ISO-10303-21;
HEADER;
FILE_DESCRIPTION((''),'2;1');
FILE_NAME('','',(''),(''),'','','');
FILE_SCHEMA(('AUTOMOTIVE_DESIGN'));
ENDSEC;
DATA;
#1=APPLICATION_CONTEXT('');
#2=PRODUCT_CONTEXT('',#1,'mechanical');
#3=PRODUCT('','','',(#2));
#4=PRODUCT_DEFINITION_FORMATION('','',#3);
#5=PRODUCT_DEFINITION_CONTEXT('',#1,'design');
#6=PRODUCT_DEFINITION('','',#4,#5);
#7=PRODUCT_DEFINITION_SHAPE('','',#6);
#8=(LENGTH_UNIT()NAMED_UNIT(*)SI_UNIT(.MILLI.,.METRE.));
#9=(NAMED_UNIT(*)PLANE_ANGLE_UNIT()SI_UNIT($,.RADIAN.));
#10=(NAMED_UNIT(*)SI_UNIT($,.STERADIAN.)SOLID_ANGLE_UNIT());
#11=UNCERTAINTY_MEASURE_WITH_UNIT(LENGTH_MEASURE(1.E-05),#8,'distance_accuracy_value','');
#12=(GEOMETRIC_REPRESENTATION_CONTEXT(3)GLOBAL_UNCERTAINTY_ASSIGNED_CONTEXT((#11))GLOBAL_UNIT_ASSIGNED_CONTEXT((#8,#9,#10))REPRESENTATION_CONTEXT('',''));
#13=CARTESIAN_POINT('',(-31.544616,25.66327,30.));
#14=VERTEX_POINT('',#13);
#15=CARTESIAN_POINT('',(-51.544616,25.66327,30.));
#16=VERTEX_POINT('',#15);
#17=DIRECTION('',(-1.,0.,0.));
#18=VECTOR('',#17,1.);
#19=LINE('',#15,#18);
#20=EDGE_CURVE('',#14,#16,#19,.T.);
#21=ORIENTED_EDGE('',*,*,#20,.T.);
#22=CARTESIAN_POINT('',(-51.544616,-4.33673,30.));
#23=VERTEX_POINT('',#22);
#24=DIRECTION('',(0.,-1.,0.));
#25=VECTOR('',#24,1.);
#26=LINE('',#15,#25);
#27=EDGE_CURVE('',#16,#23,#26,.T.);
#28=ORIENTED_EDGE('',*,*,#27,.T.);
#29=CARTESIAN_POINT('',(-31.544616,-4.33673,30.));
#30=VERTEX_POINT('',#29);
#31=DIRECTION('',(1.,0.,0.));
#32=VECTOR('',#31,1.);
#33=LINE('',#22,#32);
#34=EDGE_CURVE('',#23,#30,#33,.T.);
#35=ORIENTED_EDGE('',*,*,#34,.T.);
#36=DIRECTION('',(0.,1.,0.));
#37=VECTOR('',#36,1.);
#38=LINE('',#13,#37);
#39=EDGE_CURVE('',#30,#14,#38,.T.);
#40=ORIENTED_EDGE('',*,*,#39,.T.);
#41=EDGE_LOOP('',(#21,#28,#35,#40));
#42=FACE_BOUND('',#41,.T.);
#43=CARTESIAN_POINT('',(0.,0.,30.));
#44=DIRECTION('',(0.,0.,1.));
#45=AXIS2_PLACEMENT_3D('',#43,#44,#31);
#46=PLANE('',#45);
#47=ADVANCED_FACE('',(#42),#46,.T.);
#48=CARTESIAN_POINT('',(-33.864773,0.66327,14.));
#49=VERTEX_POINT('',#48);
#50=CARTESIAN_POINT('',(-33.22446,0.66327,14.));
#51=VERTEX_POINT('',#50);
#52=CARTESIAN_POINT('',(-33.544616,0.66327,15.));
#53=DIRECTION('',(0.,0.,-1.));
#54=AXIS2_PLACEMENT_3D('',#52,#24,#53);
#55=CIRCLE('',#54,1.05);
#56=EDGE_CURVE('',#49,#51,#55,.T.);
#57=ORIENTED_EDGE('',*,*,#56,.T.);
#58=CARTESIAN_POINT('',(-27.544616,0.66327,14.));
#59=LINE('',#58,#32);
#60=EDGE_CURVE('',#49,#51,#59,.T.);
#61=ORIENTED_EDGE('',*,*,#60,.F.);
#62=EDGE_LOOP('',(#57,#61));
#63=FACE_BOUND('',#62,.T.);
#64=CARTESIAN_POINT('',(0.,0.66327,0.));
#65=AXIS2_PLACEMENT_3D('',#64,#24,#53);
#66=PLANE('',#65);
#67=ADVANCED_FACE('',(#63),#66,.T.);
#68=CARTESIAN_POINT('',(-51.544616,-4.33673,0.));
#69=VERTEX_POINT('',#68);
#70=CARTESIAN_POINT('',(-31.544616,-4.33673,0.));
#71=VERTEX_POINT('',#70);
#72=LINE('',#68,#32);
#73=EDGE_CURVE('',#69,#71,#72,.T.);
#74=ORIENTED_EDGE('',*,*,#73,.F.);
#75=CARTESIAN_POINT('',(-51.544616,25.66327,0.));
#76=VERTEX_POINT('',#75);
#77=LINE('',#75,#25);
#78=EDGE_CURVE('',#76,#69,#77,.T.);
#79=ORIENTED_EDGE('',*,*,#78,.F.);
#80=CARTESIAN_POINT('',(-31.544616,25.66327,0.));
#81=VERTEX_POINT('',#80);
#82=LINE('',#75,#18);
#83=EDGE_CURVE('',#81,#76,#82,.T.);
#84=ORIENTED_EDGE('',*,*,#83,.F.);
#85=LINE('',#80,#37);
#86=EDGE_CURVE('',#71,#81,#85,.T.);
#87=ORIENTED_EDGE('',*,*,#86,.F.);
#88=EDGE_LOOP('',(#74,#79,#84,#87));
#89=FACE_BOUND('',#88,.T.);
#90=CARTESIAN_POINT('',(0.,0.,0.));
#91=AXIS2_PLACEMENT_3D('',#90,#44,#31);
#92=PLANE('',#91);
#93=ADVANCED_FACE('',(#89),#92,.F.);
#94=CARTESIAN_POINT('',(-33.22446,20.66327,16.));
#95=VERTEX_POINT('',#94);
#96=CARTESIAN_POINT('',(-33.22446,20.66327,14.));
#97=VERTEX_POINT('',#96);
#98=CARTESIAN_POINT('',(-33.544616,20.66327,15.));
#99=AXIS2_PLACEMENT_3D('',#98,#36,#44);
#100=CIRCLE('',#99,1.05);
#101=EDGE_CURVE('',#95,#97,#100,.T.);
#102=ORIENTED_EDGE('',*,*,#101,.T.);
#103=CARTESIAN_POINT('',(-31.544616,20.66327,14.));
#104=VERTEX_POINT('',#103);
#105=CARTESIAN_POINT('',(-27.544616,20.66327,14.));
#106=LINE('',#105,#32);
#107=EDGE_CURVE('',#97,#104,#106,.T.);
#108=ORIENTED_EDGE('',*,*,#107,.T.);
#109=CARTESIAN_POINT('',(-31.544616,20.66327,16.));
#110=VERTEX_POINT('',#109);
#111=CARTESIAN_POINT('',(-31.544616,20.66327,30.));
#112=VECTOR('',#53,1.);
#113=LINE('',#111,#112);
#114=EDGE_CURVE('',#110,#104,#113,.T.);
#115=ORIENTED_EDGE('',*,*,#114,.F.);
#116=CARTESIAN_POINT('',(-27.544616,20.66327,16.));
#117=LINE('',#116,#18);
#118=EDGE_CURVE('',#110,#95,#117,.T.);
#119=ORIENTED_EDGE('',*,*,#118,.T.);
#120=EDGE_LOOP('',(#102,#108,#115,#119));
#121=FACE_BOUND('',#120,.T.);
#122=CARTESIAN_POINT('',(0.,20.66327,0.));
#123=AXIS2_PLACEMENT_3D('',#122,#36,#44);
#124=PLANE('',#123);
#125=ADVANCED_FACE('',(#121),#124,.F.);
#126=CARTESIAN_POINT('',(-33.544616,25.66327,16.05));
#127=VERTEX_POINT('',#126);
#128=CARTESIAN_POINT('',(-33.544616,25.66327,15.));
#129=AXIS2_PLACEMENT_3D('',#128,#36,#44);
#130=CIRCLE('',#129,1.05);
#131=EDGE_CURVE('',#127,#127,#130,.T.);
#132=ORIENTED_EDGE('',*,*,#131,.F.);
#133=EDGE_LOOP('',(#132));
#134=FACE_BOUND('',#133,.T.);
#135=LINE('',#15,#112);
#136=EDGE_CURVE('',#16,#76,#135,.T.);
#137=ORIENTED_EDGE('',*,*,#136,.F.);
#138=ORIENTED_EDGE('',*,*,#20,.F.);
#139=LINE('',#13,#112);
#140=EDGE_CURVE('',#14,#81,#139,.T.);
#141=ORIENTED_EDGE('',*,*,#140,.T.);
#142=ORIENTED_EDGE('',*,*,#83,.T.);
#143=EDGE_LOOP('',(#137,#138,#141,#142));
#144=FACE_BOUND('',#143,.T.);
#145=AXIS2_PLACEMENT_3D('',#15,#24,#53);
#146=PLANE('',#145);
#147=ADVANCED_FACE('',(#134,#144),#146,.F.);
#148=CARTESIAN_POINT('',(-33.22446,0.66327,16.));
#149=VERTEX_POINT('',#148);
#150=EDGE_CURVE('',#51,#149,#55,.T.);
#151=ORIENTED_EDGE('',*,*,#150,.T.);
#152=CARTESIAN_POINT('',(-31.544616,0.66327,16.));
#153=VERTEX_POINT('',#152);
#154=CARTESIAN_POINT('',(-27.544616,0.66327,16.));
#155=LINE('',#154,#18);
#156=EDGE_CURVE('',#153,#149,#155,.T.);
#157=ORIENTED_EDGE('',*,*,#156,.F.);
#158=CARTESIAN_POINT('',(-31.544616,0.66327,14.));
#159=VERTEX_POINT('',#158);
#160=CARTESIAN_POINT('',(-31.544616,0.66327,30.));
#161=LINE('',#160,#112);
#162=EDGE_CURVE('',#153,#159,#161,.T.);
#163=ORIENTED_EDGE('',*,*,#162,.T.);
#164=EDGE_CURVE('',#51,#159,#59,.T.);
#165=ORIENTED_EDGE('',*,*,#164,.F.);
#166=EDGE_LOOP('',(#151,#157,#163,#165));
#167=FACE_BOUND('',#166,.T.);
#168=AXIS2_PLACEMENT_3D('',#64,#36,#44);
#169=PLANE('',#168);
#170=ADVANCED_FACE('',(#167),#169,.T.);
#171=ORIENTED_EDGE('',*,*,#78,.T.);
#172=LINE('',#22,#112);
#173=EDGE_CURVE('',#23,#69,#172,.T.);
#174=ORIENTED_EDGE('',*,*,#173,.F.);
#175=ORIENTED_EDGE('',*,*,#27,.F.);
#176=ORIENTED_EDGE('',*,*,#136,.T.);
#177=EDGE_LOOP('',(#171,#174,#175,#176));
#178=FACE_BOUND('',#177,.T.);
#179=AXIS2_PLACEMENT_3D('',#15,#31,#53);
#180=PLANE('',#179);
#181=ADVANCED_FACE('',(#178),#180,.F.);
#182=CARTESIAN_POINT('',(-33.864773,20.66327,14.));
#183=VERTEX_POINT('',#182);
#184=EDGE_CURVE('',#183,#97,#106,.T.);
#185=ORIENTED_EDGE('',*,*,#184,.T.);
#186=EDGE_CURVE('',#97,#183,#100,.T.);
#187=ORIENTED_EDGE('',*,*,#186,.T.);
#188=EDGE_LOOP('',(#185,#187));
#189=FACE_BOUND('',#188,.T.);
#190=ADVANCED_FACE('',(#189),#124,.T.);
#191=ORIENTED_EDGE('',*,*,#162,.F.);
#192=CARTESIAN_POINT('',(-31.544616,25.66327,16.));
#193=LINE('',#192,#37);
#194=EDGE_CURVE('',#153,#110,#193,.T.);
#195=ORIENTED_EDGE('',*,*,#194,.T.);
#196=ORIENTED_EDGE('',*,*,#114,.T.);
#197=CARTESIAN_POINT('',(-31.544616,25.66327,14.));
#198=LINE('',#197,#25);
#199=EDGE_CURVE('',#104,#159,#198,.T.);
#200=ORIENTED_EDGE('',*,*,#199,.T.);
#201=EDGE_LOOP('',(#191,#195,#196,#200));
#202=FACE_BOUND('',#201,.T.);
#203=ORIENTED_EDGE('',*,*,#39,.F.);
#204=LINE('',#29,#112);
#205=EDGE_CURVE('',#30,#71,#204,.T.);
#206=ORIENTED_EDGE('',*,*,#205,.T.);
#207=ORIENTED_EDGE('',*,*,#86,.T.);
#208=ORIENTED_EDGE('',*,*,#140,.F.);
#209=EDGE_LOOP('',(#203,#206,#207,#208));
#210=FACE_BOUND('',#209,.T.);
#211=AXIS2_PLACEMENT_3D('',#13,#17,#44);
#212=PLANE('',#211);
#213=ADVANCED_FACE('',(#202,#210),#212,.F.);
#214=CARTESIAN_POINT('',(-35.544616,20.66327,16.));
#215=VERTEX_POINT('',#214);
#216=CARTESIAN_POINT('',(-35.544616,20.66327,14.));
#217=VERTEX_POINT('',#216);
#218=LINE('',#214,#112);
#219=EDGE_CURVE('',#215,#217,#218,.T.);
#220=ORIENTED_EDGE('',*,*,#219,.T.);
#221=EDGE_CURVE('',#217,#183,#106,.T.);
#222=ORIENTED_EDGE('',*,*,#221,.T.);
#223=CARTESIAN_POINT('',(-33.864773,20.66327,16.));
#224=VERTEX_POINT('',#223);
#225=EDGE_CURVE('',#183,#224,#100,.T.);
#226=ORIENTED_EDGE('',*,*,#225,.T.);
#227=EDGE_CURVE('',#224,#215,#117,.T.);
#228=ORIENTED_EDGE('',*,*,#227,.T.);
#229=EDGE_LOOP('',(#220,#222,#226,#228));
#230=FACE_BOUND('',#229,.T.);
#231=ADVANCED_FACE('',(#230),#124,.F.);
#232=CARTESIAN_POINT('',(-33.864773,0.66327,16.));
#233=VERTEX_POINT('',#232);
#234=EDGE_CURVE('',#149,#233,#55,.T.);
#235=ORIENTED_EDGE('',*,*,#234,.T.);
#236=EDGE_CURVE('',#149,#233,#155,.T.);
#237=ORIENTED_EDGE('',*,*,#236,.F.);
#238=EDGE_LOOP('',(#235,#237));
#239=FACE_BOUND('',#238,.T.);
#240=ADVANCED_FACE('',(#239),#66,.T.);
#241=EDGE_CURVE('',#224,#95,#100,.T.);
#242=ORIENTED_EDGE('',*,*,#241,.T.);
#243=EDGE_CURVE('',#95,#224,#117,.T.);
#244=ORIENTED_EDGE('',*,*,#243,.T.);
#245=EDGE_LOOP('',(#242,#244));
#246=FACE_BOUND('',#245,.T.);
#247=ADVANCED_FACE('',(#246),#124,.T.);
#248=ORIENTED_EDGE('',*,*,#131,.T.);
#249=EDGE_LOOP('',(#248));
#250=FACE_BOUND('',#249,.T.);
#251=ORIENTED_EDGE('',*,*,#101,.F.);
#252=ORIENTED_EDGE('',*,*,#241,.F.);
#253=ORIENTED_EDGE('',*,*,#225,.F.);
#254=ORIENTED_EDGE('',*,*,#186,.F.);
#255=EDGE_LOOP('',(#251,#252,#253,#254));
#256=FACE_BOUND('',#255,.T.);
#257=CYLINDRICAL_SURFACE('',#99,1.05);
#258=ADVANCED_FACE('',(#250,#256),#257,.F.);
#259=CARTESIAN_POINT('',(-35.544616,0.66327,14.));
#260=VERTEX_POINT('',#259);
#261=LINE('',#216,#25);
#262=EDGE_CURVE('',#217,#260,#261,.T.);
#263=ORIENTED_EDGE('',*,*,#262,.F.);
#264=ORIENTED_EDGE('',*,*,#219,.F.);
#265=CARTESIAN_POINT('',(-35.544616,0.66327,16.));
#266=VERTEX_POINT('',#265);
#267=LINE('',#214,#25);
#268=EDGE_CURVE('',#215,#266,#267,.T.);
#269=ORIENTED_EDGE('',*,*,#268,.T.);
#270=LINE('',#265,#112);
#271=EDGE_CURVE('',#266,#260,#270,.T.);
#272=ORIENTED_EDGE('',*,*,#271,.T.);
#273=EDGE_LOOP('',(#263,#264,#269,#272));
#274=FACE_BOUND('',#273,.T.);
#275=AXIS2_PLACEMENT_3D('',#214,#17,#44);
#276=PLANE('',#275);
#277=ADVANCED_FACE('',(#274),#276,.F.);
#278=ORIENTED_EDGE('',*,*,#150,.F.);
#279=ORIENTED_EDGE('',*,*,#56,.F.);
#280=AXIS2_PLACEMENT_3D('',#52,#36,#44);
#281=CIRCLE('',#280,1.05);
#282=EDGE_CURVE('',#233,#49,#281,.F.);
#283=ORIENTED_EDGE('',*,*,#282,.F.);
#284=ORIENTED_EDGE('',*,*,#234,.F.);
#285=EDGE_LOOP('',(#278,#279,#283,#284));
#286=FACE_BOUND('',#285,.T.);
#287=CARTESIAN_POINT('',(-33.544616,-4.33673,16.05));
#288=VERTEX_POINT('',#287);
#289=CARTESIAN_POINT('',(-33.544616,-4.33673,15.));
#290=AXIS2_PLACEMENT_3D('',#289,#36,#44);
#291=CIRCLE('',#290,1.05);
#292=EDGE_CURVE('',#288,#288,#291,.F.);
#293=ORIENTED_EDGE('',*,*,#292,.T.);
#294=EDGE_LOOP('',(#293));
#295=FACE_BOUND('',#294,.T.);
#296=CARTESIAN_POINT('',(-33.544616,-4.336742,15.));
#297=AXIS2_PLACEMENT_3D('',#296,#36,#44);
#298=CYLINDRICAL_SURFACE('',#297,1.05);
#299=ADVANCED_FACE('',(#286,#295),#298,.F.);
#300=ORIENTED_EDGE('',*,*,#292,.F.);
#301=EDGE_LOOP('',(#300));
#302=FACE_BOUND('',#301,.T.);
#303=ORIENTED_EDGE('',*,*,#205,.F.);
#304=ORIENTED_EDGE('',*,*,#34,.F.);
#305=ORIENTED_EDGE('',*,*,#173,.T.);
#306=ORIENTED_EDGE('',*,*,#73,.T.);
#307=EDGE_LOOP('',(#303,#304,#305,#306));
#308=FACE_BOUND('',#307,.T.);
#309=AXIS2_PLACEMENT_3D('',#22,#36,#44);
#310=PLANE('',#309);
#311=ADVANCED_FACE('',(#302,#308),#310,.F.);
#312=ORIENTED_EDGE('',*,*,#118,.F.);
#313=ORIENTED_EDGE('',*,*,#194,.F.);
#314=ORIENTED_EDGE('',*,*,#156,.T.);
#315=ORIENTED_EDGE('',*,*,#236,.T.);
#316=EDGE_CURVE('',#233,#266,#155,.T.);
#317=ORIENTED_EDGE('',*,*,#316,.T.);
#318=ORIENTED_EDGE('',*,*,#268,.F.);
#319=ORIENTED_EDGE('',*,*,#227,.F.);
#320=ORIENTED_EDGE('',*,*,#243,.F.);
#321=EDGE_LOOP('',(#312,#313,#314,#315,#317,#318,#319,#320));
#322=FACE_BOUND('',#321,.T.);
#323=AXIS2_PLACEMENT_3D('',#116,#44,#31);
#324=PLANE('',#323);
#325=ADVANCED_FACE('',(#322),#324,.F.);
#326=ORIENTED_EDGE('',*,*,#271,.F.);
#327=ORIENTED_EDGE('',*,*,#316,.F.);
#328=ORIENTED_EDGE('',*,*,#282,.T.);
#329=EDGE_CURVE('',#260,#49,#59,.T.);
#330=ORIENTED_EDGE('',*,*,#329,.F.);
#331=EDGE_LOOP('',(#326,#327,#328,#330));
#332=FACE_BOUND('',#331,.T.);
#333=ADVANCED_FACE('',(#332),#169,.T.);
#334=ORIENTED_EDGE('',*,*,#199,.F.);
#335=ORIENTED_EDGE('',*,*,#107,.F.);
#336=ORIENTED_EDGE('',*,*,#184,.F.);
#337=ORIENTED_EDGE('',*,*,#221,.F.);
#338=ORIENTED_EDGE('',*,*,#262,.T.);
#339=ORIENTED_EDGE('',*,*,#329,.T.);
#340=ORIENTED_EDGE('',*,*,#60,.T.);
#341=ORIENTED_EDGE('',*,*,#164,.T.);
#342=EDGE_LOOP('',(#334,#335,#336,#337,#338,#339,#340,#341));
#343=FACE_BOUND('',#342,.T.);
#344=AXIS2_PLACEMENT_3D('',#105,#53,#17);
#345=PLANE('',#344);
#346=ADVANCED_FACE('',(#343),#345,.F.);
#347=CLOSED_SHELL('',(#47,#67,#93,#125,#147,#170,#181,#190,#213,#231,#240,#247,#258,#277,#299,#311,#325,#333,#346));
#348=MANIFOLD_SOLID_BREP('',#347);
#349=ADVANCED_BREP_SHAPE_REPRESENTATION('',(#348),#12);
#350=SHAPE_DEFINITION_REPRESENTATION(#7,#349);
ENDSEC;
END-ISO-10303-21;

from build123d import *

# Parameters (mm, degrees)
SKETCH_2_W               = 20
SKETCH_2_H               = 30
EXTRUDE_3_DEPTH          = 30
SKETCH_4_W               = 8
SKETCH_4_H               = 2
CUT_EXTRUDE_1_DEPTH      = 20
CUT_EXTRUDE_6_DEPTH      = 67.759624542
CUT_EXTRUDE_6_DEPTH_BACK = 5
CUT_EXTRUDE_7_DEPTH      = 5


with BuildPart() as part:
    # 草图2 → 凸台-拉伸3 (new body)
    with BuildSketch(Plane.XY):
        with Locations((-41.544616295, 10.663270327)):
            Rectangle(SKETCH_2_W, SKETCH_2_H)
    extrude(amount=EXTRUDE_3_DEPTH)

    # 草图4 → 切除-拉伸1 (cut)
    with BuildSketch(Plane(origin=(0, 0.663270327, 0), x_dir=(-1, 0, 0), z_dir=(0, -1, 0))):
        with Locations((31.544616295, -15)):
            Rectangle(SKETCH_4_W, SKETCH_4_H)
    extrude(amount=-CUT_EXTRUDE_1_DEPTH, mode=Mode.SUBTRACT)

    # 草图5 → 切除-拉伸6 (cut, two sides: drawn at the far end of the back side and taken through both)
    with BuildSketch(Plane.XZ.offset(4.336729673).offset(-CUT_EXTRUDE_6_DEPTH_BACK)):
        with BuildLine():
            Line((-34.594616295, 15), (-32.494616295, 15))
            ThreePointArc((-32.494616295, 15), (-33.544616295, 16.05), (-34.594616295, 15))
        make_face()
        with BuildLine():
            Line((-33.864772507, 14), (-33.224460083, 14))
            ThreePointArc((-33.224460083, 14), (-32.696481865, 14.380994355), (-32.494616295, 15))
            Line((-32.494616295, 15), (-34.594616295, 15))
            ThreePointArc((-34.594616295, 15), (-34.392750725, 14.380994355), (-33.864772507, 14))
        make_face()
        with BuildLine():
            ThreePointArc((-33.864772507, 14), (-33.544616295, 13.95), (-33.224460083, 14))
            Line((-33.224460083, 14), (-33.864772507, 14))
        make_face()
    extrude(amount=CUT_EXTRUDE_6_DEPTH + CUT_EXTRUDE_6_DEPTH_BACK, mode=Mode.SUBTRACT)

    # 草图7 → 切除-拉伸7 (cut)
    with BuildSketch(Plane(origin=(0, 25.663270327, 0), x_dir=(1, 0, 0), z_dir=(0, 1, 0))):
        with BuildLine():
            ThreePointArc((-32.494616295, -15), (-33.544616295, -13.95), (-34.594616295, -15))
            Line((-34.594616295, -15), (-32.494616295, -15))
        make_face()
        with BuildLine():
            Line((-32.494616295, -15), (-34.594616295, -15))
            ThreePointArc((-34.594616295, -15), (-33.544616295, -16.05), (-32.494616295, -15))
        make_face()
    extrude(amount=-CUT_EXTRUDE_7_DEPTH, mode=Mode.SUBTRACT)


solid = part.part
